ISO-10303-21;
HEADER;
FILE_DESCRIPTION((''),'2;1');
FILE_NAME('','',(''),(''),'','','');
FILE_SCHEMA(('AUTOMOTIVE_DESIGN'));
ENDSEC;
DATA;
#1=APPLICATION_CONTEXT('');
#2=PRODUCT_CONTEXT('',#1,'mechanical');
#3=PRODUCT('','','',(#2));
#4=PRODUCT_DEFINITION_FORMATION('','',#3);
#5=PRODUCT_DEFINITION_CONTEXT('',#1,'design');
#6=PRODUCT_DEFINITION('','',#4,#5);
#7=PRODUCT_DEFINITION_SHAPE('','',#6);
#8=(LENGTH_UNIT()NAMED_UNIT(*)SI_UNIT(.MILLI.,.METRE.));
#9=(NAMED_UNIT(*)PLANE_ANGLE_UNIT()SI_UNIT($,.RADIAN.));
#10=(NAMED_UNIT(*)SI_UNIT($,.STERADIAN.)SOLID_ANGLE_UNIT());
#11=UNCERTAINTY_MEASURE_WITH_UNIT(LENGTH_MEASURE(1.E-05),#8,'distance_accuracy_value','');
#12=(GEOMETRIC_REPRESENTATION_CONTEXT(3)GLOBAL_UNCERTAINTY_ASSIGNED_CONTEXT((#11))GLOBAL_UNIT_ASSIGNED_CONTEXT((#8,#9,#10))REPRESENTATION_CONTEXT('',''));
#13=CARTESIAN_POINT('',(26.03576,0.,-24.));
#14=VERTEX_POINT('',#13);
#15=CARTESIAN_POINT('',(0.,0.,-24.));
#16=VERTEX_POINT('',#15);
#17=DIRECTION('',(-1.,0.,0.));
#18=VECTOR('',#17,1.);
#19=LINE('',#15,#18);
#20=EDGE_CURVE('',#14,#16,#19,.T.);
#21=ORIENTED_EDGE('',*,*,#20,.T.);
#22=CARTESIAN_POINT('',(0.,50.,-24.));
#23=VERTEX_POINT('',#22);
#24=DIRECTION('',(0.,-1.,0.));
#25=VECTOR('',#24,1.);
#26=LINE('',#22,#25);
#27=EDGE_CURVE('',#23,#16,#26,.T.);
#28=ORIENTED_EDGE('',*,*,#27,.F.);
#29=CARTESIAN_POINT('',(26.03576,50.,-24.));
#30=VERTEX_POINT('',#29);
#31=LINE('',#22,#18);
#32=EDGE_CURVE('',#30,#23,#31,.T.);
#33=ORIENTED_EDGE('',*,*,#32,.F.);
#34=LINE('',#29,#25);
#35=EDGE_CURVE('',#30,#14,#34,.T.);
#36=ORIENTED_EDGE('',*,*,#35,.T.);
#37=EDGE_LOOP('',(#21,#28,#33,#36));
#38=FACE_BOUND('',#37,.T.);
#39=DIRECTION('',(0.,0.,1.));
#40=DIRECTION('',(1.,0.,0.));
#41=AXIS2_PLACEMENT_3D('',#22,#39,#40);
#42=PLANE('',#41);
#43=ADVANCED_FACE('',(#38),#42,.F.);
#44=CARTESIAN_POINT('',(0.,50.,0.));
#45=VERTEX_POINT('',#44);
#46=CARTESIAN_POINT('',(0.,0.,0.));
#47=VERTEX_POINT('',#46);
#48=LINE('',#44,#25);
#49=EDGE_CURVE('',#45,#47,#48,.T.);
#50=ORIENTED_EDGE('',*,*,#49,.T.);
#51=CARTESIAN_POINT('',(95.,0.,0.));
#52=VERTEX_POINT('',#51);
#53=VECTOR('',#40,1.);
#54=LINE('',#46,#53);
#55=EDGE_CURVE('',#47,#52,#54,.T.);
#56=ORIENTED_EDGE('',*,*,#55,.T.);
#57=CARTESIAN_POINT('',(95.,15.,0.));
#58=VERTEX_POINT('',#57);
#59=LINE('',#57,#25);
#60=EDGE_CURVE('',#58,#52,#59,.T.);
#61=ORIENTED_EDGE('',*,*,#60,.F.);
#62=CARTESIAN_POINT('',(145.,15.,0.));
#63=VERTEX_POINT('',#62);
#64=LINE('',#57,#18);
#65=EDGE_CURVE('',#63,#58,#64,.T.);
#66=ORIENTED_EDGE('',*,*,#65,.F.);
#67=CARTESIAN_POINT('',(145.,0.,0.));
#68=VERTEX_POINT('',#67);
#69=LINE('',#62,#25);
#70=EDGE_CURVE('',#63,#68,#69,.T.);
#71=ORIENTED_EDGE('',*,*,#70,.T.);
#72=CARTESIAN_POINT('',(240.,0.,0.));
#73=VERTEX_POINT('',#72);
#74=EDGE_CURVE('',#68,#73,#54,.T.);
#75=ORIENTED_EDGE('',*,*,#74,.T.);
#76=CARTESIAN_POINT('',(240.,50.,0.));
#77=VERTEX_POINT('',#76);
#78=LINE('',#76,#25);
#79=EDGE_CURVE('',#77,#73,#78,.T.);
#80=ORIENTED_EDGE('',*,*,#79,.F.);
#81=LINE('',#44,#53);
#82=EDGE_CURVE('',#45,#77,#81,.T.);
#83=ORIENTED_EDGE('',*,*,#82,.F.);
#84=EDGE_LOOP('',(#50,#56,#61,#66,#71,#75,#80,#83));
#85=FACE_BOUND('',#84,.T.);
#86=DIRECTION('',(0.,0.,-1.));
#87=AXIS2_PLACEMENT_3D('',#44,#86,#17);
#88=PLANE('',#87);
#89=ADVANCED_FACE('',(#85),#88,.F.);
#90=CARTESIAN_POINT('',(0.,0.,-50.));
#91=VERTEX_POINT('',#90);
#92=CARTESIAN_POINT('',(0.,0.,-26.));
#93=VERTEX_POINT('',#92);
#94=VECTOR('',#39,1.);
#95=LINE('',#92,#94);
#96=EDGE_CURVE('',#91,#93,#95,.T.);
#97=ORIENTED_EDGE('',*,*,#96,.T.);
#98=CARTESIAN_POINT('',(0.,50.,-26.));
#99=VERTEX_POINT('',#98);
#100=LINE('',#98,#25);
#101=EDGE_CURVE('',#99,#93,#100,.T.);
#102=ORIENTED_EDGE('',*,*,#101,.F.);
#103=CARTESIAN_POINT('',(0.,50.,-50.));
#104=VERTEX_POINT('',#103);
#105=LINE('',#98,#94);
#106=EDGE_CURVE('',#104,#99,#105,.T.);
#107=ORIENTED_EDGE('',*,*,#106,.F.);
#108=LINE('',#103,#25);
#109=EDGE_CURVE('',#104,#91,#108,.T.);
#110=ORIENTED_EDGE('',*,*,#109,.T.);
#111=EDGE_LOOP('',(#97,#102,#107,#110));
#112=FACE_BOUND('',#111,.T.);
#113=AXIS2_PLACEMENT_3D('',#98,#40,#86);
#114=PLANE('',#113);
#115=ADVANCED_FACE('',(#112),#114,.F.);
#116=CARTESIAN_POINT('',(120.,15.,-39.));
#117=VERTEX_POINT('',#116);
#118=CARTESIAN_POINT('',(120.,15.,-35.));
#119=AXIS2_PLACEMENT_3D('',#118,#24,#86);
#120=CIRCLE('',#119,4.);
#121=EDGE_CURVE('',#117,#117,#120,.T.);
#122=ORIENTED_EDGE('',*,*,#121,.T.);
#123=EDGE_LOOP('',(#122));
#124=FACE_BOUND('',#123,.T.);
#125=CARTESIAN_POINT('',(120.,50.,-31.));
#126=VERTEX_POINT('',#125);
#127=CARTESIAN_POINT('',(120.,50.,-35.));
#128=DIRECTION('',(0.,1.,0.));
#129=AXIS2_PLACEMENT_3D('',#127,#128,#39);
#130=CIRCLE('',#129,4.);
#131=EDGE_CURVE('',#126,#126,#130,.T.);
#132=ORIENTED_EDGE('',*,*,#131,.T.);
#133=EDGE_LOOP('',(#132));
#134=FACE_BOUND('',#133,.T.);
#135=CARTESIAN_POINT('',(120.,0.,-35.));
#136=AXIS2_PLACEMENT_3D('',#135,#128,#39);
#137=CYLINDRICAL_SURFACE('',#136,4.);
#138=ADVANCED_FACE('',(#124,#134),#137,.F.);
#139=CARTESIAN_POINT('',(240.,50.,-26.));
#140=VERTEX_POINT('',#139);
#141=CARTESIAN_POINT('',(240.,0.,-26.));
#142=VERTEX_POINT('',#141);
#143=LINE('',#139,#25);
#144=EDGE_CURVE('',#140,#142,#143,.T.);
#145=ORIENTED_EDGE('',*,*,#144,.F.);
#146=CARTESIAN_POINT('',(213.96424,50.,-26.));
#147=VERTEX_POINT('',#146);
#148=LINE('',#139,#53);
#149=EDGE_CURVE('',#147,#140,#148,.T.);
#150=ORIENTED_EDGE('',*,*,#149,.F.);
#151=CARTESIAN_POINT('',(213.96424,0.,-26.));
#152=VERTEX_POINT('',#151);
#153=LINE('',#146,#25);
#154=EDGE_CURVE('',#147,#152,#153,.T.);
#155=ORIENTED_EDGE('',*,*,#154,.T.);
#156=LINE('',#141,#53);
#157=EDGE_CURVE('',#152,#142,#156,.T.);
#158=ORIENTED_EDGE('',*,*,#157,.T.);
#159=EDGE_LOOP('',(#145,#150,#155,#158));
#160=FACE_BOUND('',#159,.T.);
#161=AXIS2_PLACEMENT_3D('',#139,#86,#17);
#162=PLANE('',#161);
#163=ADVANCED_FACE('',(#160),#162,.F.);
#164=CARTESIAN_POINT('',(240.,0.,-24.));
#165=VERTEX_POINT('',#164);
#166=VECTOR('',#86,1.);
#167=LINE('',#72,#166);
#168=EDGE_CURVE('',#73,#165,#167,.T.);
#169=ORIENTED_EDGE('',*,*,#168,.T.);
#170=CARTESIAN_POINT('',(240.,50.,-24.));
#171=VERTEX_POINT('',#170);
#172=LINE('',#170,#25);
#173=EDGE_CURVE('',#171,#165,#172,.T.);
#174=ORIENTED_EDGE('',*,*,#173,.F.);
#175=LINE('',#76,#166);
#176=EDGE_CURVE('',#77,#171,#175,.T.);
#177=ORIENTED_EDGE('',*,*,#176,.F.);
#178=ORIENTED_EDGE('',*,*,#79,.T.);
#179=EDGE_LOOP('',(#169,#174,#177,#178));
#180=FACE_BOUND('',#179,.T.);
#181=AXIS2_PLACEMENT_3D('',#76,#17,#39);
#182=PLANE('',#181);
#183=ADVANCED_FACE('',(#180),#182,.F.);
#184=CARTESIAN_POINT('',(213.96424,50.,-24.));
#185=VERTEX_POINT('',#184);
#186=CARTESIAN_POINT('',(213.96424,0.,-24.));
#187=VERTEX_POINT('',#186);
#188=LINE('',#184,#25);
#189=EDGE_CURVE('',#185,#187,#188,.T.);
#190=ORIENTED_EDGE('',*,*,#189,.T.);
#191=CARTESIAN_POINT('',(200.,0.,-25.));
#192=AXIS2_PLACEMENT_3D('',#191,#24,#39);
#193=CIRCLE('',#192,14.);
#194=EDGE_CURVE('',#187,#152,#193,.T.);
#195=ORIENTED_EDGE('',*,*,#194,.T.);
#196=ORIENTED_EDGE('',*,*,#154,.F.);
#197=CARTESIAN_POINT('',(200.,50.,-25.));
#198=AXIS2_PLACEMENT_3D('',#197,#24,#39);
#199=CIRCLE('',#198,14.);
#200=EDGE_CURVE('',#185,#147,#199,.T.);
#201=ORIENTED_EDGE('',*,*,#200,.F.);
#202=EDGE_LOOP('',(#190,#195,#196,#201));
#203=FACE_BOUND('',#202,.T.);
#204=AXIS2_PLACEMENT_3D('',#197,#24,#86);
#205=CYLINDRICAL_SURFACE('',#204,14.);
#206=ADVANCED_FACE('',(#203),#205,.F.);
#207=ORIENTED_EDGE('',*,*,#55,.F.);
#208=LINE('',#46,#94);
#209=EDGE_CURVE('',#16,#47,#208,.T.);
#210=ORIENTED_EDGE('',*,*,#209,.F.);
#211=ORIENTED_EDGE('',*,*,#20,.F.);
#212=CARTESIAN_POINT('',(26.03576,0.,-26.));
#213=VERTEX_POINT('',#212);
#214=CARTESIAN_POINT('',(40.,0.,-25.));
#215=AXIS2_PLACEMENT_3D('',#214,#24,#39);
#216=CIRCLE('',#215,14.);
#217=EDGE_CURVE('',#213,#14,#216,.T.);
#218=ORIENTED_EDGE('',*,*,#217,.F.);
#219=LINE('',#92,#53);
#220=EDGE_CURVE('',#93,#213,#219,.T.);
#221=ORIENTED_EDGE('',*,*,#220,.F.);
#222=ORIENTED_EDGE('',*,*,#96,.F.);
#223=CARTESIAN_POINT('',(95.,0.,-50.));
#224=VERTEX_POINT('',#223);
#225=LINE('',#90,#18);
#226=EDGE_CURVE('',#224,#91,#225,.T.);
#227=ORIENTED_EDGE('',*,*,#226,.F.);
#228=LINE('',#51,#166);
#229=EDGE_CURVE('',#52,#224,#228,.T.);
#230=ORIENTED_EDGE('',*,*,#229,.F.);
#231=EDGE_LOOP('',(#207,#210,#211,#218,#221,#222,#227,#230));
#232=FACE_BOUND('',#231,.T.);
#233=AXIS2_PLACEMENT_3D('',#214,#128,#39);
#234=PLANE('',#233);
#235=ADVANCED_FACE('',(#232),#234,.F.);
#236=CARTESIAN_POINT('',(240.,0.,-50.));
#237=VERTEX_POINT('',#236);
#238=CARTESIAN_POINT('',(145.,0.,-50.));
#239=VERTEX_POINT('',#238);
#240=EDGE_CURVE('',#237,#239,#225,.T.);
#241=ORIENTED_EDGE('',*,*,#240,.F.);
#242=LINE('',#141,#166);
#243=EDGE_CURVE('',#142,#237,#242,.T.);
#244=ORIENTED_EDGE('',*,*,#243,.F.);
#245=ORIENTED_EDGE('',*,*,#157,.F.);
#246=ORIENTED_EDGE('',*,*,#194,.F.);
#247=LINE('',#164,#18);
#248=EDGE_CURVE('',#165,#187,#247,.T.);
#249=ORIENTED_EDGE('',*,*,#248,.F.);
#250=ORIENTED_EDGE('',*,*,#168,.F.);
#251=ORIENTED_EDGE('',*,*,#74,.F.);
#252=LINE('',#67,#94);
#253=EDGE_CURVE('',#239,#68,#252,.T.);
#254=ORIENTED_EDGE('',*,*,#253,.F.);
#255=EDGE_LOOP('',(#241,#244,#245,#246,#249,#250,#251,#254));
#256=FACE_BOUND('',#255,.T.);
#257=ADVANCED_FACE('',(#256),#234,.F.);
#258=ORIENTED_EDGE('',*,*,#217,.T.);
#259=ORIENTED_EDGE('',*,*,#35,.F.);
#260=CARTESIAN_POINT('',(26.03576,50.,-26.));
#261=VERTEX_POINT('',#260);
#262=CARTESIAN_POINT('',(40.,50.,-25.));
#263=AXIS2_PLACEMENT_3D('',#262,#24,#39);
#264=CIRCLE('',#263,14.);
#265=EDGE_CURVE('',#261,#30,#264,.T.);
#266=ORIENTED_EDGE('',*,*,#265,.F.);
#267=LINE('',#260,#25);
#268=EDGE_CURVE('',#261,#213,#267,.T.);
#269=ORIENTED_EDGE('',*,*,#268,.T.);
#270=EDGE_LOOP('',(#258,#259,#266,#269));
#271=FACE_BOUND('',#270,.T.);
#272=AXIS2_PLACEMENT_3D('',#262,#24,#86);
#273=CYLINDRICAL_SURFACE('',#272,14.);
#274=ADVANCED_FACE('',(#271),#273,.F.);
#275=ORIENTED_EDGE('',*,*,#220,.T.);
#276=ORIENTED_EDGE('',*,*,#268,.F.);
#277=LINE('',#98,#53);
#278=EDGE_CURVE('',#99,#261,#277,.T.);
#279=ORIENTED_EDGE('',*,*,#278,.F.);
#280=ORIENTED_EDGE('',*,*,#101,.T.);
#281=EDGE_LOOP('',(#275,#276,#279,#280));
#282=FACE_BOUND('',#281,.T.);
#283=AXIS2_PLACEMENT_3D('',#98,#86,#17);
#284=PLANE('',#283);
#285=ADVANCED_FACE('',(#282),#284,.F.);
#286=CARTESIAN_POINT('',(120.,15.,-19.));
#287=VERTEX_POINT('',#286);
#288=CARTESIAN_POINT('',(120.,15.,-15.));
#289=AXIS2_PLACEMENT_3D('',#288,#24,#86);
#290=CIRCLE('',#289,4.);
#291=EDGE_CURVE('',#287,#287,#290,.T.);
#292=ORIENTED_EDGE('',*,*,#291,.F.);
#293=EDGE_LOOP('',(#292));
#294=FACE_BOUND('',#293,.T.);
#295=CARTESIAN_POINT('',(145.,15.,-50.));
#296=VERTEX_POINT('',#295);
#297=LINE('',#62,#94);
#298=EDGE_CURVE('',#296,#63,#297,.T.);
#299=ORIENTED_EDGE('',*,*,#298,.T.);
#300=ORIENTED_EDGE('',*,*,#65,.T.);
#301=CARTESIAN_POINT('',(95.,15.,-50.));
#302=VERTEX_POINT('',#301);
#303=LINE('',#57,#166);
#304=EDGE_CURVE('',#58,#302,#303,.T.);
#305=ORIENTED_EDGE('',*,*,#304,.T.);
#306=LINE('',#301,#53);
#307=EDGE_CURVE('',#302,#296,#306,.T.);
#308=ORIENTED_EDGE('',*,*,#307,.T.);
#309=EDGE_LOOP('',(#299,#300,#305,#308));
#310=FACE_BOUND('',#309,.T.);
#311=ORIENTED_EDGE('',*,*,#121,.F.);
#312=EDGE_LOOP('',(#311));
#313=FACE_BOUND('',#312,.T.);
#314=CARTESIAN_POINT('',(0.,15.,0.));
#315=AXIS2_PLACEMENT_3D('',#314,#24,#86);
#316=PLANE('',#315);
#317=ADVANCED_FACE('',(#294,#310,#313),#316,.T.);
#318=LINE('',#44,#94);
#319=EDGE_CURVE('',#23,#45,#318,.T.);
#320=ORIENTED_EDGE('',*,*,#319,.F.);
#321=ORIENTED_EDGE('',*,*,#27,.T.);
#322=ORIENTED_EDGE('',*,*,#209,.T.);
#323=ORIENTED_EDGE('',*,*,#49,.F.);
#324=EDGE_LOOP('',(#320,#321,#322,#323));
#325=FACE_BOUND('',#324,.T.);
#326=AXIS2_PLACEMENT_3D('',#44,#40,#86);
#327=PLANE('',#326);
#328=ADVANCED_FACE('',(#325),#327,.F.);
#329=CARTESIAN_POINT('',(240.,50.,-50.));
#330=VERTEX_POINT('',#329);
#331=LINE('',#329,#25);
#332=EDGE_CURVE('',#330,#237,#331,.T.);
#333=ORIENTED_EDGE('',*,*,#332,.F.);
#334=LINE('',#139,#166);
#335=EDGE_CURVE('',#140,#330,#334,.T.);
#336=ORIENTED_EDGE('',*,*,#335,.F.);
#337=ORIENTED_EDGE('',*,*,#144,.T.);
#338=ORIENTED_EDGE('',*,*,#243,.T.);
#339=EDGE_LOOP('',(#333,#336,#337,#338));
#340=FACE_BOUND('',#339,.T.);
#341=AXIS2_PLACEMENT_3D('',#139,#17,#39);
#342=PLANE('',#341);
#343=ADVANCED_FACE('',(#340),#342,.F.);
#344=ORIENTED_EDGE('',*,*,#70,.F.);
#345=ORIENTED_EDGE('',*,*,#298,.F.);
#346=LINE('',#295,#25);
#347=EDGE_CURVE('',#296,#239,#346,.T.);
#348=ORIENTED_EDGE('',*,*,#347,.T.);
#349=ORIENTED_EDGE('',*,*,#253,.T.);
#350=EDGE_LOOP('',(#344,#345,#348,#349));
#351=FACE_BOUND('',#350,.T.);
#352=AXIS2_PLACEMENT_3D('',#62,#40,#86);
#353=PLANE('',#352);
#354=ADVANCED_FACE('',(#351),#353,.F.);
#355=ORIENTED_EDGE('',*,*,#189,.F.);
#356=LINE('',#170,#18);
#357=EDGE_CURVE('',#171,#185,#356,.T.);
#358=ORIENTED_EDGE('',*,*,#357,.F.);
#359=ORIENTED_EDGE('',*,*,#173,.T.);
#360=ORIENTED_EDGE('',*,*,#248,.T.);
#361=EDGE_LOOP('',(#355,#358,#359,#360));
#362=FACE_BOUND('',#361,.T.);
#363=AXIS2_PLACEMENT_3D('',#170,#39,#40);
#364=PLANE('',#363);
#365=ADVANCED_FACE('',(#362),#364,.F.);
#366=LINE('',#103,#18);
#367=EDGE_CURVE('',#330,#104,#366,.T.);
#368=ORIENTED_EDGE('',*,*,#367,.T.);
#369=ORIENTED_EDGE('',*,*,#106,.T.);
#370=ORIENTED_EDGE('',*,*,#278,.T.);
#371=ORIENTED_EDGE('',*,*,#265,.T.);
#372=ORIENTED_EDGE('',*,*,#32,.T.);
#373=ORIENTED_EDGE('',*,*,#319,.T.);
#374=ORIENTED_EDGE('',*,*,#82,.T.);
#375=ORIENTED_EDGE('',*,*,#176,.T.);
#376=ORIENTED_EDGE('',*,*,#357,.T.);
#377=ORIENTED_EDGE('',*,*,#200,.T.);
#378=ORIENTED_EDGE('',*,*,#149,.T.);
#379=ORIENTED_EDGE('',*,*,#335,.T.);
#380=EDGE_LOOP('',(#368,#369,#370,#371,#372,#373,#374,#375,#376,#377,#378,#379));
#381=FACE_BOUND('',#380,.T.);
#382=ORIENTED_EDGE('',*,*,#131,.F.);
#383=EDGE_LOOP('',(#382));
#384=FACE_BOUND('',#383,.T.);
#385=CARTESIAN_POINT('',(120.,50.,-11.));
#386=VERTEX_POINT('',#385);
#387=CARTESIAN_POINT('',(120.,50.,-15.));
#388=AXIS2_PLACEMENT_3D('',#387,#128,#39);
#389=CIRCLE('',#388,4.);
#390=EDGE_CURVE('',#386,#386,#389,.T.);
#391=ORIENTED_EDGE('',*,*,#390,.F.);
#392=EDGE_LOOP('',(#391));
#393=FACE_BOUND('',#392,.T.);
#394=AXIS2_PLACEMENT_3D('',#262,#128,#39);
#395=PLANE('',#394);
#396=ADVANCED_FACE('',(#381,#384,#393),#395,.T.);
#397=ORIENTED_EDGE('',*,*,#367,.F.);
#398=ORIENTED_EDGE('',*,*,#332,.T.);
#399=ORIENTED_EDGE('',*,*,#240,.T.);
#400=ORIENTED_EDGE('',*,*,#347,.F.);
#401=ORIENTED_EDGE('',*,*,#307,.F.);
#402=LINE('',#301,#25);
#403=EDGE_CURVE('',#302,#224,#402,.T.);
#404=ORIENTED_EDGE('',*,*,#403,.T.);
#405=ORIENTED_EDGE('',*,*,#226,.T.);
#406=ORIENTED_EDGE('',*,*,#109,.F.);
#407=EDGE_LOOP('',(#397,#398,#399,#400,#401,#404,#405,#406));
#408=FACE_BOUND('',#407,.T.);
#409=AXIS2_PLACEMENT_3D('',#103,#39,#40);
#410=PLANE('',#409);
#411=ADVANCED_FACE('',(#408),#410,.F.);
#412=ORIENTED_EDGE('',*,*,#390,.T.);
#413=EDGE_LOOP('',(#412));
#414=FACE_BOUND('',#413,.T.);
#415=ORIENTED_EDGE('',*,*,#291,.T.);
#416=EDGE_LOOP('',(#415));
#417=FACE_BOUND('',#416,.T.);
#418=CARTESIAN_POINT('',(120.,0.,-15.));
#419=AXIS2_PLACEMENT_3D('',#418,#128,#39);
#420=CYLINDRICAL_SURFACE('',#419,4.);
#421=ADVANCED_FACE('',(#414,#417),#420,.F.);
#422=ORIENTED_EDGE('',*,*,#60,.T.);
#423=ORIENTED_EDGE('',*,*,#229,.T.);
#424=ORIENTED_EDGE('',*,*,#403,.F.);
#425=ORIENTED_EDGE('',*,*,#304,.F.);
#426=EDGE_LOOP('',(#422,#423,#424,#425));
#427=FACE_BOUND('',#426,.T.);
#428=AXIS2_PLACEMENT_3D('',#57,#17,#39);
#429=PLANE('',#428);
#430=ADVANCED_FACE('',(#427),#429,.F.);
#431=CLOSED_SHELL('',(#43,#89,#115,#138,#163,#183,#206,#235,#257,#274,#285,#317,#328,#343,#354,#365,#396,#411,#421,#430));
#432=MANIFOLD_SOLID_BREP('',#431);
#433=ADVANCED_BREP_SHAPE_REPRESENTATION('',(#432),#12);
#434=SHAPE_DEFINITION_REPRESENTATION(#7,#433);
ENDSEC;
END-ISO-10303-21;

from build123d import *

# Parameters (mm, degrees)
EXTRUDE_1_DEPTH     = 50
SKETCH_3_W          = 50
SKETCH_3_H          = 50
CUT_EXTRUDE_1_DEPTH = 15
SKETCH_4_R          = 4
CUT_EXTRUDE_2_DEPTH = 50


with BuildPart() as part:
    # Эскиз1 → Бобышка-Вытянуть1 (new body)
    with BuildSketch(Plane(origin=(0, 0, 0), x_dir=(1, 0, 0), z_dir=(0, 1, 0))):
        with BuildLine():
            Line((0, 0), (240, 0))
            Line((240, 0), (240, 24))
            Line((240, 24), (213.964240044, 24))
            ThreePointArc((213.964240044, 24), (186, 25), (213.964240044, 26))
            Line((213.964240044, 26), (240, 26))
            Line((240, 26), (240, 50))
            Line((240, 50), (0, 50))
            Line((0, 50), (0, 26))
            Line((0, 26), (26.035759956, 26))
            ThreePointArc((26.035759956, 26), (54, 25), (26.035759956, 24))
            Line((26.035759956, 24), (0, 24))
            Line((0, 24), (0, 0))
        make_face()
    extrude(amount=EXTRUDE_1_DEPTH)

    # Эскиз3 → Вырез-Вытянуть1 (cut)
    with BuildSketch(Plane.XZ):
        with Locations((120, -25)):
            Rectangle(SKETCH_3_W, SKETCH_3_H)
    extrude(amount=-CUT_EXTRUDE_1_DEPTH, mode=Mode.SUBTRACT)

    # Эскиз4 → Вырез-Вытянуть2 (cut)
    with BuildSketch(Plane(origin=(0, 50, 0), x_dir=(1, 0, 0), z_dir=(0, 1, 0))):
        with Locations(Location((120, 35, 0), (0, 0, 270))):
            Circle(SKETCH_4_R)
        with Locations(Location((120, 15, 0), (0, 0, 270))):
            Circle(SKETCH_4_R)
    extrude(amount=-CUT_EXTRUDE_2_DEPTH, mode=Mode.SUBTRACT)


solid = part.part
